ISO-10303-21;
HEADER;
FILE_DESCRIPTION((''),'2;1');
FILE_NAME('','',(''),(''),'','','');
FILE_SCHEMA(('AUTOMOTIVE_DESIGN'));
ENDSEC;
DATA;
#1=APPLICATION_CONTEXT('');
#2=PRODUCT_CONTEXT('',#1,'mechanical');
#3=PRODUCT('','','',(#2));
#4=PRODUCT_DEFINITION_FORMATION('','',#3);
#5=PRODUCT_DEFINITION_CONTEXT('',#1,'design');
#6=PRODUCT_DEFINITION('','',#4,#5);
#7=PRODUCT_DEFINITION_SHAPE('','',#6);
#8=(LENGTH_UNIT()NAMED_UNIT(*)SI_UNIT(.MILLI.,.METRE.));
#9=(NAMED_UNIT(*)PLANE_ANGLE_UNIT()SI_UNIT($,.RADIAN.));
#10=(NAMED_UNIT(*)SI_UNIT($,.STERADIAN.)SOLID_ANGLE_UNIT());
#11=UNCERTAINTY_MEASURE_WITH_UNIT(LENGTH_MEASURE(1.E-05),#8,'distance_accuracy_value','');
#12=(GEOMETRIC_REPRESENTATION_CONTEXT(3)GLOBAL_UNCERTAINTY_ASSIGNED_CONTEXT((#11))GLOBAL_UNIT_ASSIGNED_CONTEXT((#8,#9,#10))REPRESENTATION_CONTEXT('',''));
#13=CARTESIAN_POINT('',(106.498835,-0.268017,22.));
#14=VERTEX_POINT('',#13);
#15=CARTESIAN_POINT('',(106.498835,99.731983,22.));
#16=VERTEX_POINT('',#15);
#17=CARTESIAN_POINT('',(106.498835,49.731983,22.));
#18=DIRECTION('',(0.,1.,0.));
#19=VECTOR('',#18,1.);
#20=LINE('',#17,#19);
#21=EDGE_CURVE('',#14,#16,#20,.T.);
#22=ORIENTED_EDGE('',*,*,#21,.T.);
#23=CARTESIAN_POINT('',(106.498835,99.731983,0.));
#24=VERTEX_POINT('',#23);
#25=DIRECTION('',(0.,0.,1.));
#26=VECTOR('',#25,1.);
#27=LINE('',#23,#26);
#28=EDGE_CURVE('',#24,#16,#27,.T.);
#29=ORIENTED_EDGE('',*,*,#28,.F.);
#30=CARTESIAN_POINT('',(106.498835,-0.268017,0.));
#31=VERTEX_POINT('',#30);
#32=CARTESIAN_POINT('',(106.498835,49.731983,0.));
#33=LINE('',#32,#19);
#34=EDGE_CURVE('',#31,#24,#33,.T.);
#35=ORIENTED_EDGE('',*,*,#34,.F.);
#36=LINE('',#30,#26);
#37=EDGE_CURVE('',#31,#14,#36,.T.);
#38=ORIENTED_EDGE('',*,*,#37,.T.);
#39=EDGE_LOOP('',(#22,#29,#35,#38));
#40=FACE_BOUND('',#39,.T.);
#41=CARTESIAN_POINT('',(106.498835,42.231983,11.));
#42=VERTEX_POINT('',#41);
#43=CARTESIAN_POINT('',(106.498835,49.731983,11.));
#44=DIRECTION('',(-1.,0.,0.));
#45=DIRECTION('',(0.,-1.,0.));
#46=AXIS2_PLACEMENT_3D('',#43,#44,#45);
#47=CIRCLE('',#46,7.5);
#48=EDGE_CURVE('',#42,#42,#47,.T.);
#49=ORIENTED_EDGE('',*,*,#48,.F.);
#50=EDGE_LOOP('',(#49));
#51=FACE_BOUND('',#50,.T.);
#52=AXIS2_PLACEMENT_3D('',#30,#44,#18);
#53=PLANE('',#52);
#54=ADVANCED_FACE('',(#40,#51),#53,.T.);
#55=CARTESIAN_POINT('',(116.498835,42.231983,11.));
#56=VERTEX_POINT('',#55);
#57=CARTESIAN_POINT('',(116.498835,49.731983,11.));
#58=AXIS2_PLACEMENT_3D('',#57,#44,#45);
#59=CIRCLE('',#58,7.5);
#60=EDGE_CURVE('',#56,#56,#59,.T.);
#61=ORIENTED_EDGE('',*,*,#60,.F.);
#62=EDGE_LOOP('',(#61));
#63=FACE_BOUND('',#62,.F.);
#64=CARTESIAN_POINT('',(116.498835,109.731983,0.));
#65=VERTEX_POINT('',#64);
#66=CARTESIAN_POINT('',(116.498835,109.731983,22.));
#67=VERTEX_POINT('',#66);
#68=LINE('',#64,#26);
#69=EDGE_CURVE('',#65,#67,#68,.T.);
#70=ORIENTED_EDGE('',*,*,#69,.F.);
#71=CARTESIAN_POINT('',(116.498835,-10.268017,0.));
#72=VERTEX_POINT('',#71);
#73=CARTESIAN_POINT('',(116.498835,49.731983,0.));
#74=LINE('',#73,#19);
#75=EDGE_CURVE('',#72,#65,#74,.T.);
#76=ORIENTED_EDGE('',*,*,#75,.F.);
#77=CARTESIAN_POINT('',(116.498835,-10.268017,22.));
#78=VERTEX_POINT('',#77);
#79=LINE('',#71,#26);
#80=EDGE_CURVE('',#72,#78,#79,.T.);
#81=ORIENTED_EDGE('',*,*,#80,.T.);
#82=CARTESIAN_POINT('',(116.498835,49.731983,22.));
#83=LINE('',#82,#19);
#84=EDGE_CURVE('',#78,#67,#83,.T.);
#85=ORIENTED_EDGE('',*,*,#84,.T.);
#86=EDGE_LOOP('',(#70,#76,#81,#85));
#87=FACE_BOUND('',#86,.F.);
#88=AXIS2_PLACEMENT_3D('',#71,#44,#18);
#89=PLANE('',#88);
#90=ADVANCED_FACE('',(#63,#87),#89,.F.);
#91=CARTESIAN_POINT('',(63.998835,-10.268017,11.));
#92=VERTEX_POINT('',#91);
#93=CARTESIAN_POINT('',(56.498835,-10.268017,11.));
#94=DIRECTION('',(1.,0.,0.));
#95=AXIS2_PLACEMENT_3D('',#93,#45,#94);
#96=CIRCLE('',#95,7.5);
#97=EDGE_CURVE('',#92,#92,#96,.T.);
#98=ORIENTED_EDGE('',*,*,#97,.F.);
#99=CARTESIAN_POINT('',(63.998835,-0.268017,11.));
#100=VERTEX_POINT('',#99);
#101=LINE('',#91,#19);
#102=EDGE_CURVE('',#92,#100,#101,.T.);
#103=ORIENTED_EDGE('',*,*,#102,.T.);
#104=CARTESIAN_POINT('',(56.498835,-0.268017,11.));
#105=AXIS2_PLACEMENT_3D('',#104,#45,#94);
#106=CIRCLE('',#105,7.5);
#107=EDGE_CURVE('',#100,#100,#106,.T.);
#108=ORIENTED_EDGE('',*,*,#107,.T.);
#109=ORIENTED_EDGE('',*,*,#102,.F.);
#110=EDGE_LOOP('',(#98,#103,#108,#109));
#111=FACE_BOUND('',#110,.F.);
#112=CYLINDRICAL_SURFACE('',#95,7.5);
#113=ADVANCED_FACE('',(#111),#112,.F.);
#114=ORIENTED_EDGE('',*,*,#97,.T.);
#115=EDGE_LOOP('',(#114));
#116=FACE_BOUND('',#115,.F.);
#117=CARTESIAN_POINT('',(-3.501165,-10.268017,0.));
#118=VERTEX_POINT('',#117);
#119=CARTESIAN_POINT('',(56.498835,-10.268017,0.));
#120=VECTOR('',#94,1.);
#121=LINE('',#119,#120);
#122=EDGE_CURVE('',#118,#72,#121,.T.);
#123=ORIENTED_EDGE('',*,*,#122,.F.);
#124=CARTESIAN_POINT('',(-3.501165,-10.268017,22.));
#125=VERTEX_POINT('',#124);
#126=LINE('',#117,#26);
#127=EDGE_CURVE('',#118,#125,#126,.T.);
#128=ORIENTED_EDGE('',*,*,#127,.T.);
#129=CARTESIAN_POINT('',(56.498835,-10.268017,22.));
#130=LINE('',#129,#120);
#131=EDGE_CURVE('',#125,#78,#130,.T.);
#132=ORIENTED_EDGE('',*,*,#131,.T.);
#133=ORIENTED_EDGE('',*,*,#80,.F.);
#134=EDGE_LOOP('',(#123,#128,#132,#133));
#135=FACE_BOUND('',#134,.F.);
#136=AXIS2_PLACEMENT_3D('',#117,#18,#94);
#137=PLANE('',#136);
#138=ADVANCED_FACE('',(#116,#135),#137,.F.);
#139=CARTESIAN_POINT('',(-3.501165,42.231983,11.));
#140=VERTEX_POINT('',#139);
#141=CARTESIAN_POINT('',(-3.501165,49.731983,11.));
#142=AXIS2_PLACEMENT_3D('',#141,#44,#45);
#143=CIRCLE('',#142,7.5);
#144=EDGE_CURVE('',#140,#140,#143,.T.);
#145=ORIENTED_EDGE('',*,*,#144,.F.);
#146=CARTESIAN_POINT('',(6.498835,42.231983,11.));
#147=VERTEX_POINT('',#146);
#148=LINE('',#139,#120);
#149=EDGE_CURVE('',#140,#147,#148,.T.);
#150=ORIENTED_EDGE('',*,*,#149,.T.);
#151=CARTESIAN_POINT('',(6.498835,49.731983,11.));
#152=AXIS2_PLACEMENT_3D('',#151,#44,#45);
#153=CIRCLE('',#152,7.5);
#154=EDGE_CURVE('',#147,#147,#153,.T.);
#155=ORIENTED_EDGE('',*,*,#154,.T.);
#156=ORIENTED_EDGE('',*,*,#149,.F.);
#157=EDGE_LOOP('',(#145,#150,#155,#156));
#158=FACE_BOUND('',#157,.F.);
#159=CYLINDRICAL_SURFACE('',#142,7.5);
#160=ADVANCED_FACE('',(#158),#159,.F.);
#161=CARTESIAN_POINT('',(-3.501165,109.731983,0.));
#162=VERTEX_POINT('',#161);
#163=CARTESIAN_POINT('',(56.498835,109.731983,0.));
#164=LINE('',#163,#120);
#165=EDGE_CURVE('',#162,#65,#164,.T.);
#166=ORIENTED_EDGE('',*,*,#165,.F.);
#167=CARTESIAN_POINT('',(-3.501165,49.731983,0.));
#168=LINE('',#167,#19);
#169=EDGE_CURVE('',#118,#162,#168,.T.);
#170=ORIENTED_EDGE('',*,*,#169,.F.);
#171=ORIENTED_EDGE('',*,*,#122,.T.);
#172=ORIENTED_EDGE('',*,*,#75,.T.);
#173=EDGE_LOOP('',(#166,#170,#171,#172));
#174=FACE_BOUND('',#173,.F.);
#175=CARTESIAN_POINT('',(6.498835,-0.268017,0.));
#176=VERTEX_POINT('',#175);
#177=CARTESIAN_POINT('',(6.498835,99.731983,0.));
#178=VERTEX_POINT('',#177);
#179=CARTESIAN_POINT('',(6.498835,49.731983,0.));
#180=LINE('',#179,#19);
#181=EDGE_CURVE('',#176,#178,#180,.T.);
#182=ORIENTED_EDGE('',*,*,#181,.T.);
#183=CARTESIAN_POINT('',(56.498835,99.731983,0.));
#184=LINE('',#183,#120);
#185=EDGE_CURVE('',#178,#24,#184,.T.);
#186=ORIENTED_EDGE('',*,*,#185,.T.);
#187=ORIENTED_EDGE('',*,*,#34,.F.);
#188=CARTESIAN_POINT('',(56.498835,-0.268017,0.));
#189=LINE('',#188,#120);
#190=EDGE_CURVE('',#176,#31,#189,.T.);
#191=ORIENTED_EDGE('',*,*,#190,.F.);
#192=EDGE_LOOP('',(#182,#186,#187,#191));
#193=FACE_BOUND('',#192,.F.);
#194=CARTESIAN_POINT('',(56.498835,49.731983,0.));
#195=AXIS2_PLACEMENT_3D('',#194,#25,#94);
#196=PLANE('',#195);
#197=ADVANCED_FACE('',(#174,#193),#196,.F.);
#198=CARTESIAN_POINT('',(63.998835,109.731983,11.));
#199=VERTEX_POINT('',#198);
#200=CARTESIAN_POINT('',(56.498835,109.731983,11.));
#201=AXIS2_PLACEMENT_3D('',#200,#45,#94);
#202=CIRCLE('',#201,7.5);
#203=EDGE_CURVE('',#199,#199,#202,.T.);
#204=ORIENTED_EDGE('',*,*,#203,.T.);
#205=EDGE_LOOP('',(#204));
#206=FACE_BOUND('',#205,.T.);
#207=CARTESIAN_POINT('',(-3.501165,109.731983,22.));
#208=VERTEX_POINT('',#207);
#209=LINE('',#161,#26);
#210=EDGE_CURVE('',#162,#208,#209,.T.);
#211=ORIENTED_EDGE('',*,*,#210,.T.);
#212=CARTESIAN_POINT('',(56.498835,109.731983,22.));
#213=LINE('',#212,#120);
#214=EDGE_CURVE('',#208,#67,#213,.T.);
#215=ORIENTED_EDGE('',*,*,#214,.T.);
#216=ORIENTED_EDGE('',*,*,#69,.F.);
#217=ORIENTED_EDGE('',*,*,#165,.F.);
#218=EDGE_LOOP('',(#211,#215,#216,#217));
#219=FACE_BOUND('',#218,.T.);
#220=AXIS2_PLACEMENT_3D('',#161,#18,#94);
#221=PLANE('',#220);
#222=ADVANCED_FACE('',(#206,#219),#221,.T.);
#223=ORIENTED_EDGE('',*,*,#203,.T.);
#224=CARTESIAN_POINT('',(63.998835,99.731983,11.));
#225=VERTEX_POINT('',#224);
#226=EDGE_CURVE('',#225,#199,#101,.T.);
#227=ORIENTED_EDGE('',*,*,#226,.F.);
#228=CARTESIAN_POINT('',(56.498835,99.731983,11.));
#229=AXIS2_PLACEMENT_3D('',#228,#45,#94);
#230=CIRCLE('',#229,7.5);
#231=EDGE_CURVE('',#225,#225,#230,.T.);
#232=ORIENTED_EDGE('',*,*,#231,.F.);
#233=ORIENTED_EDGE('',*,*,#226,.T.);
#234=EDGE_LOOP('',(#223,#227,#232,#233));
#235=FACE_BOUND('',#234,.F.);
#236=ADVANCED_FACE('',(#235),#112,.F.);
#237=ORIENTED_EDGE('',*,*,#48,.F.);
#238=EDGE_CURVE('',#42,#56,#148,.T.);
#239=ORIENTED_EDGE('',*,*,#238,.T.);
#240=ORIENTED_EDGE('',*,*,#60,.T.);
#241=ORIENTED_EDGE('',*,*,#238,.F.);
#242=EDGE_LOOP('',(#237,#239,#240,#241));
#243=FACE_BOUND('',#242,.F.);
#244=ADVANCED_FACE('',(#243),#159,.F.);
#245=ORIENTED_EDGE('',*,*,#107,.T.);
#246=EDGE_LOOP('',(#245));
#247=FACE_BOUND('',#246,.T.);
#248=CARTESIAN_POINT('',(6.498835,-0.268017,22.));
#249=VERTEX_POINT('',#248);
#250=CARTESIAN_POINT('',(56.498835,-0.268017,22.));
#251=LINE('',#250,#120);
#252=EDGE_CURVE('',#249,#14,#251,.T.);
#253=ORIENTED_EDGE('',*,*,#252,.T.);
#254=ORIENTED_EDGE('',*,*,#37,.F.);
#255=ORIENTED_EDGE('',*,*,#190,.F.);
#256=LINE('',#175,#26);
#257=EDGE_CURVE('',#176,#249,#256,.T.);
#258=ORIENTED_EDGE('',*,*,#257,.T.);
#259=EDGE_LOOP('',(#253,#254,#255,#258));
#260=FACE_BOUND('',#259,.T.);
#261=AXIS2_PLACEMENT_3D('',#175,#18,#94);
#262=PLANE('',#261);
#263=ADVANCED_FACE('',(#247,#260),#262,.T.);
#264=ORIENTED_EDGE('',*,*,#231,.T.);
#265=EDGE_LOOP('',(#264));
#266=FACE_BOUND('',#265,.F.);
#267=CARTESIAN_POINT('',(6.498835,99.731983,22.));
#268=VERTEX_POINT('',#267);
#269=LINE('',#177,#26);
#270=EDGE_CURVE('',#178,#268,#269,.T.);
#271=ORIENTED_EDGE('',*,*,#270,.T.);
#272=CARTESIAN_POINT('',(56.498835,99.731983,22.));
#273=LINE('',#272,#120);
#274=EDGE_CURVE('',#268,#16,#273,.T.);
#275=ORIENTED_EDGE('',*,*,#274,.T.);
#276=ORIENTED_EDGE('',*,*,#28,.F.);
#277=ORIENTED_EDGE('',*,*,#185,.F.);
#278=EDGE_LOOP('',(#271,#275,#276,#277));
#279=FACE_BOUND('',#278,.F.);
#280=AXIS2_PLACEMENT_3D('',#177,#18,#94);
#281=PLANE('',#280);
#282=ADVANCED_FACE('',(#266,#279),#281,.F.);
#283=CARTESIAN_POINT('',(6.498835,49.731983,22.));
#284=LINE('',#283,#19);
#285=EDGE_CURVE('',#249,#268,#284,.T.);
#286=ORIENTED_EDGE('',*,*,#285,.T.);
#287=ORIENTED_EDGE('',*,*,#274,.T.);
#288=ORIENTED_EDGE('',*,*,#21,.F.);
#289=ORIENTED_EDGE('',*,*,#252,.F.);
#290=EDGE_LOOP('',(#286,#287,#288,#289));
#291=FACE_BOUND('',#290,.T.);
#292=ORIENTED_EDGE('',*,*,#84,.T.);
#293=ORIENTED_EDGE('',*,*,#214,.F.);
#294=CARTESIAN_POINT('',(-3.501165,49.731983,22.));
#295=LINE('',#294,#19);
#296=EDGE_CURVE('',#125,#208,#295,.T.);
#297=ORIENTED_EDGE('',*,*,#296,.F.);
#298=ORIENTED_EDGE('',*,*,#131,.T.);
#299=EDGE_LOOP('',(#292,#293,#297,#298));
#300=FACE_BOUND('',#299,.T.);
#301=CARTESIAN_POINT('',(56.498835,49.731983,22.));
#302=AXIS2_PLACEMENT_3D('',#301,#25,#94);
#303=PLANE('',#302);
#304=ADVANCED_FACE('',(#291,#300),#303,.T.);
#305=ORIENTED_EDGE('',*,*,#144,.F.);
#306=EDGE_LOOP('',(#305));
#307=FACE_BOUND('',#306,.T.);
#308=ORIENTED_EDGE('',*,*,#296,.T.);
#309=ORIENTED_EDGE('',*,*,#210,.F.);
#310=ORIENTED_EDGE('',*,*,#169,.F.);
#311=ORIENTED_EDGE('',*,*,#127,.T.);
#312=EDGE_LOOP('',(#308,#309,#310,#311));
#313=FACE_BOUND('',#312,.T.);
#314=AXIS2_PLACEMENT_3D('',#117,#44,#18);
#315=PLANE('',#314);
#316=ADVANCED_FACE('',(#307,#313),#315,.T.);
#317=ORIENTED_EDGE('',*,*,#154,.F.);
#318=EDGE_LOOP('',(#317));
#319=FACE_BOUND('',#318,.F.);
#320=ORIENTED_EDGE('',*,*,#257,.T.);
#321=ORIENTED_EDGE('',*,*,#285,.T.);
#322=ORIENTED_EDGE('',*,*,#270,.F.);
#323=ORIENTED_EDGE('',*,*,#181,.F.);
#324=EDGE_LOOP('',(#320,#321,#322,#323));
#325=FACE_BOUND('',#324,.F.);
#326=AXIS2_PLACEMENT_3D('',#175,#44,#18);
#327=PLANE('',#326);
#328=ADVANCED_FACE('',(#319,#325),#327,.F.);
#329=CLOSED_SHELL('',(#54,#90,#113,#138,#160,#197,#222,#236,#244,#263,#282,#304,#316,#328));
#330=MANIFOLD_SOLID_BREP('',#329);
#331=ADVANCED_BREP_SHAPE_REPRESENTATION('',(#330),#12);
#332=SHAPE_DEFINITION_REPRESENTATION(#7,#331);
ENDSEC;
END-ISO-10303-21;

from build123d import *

# Parameters (mm, degrees)
F0_W     = 120
F0_H     = 120
F0_W_2   = 100
F0_H_2   = 100
F1_DEPTH = 22
F2_R     = 7.5
F3_DEPTH = 237
F4_R     = 7.5
F5_DEPTH = 185


with BuildPart() as f1:
    # F0 (on Top) → F1 (new body)
    with BuildSketch(Plane.XY):
        with Locations((56.498835, 49.731983)):
            Rectangle(F0_W, F0_H)
        with Locations((56.498835, 49.731983)):
            Rectangle(F0_W_2, F0_H_2, mode=Mode.SUBTRACT)
    extrude(amount=F1_DEPTH)

    # F2 (on face) → F3 (cut)
    with BuildSketch(Plane.XZ.offset(10.268017)):
        with Locations((56.498835, 11)):
            Circle(F2_R)
    extrude(amount=-F3_DEPTH, mode=Mode.SUBTRACT)

    # F4 (on face) → F5 (cut)
    with BuildSketch(Plane(origin=(-3.501165, 0, 0), x_dir=(0, -1, 0), z_dir=(-1, 0, 0))):
        with Locations((-49.731983, 11)):
            Circle(F4_R)
    extrude(amount=-F5_DEPTH, mode=Mode.SUBTRACT)


solid = f1.part
